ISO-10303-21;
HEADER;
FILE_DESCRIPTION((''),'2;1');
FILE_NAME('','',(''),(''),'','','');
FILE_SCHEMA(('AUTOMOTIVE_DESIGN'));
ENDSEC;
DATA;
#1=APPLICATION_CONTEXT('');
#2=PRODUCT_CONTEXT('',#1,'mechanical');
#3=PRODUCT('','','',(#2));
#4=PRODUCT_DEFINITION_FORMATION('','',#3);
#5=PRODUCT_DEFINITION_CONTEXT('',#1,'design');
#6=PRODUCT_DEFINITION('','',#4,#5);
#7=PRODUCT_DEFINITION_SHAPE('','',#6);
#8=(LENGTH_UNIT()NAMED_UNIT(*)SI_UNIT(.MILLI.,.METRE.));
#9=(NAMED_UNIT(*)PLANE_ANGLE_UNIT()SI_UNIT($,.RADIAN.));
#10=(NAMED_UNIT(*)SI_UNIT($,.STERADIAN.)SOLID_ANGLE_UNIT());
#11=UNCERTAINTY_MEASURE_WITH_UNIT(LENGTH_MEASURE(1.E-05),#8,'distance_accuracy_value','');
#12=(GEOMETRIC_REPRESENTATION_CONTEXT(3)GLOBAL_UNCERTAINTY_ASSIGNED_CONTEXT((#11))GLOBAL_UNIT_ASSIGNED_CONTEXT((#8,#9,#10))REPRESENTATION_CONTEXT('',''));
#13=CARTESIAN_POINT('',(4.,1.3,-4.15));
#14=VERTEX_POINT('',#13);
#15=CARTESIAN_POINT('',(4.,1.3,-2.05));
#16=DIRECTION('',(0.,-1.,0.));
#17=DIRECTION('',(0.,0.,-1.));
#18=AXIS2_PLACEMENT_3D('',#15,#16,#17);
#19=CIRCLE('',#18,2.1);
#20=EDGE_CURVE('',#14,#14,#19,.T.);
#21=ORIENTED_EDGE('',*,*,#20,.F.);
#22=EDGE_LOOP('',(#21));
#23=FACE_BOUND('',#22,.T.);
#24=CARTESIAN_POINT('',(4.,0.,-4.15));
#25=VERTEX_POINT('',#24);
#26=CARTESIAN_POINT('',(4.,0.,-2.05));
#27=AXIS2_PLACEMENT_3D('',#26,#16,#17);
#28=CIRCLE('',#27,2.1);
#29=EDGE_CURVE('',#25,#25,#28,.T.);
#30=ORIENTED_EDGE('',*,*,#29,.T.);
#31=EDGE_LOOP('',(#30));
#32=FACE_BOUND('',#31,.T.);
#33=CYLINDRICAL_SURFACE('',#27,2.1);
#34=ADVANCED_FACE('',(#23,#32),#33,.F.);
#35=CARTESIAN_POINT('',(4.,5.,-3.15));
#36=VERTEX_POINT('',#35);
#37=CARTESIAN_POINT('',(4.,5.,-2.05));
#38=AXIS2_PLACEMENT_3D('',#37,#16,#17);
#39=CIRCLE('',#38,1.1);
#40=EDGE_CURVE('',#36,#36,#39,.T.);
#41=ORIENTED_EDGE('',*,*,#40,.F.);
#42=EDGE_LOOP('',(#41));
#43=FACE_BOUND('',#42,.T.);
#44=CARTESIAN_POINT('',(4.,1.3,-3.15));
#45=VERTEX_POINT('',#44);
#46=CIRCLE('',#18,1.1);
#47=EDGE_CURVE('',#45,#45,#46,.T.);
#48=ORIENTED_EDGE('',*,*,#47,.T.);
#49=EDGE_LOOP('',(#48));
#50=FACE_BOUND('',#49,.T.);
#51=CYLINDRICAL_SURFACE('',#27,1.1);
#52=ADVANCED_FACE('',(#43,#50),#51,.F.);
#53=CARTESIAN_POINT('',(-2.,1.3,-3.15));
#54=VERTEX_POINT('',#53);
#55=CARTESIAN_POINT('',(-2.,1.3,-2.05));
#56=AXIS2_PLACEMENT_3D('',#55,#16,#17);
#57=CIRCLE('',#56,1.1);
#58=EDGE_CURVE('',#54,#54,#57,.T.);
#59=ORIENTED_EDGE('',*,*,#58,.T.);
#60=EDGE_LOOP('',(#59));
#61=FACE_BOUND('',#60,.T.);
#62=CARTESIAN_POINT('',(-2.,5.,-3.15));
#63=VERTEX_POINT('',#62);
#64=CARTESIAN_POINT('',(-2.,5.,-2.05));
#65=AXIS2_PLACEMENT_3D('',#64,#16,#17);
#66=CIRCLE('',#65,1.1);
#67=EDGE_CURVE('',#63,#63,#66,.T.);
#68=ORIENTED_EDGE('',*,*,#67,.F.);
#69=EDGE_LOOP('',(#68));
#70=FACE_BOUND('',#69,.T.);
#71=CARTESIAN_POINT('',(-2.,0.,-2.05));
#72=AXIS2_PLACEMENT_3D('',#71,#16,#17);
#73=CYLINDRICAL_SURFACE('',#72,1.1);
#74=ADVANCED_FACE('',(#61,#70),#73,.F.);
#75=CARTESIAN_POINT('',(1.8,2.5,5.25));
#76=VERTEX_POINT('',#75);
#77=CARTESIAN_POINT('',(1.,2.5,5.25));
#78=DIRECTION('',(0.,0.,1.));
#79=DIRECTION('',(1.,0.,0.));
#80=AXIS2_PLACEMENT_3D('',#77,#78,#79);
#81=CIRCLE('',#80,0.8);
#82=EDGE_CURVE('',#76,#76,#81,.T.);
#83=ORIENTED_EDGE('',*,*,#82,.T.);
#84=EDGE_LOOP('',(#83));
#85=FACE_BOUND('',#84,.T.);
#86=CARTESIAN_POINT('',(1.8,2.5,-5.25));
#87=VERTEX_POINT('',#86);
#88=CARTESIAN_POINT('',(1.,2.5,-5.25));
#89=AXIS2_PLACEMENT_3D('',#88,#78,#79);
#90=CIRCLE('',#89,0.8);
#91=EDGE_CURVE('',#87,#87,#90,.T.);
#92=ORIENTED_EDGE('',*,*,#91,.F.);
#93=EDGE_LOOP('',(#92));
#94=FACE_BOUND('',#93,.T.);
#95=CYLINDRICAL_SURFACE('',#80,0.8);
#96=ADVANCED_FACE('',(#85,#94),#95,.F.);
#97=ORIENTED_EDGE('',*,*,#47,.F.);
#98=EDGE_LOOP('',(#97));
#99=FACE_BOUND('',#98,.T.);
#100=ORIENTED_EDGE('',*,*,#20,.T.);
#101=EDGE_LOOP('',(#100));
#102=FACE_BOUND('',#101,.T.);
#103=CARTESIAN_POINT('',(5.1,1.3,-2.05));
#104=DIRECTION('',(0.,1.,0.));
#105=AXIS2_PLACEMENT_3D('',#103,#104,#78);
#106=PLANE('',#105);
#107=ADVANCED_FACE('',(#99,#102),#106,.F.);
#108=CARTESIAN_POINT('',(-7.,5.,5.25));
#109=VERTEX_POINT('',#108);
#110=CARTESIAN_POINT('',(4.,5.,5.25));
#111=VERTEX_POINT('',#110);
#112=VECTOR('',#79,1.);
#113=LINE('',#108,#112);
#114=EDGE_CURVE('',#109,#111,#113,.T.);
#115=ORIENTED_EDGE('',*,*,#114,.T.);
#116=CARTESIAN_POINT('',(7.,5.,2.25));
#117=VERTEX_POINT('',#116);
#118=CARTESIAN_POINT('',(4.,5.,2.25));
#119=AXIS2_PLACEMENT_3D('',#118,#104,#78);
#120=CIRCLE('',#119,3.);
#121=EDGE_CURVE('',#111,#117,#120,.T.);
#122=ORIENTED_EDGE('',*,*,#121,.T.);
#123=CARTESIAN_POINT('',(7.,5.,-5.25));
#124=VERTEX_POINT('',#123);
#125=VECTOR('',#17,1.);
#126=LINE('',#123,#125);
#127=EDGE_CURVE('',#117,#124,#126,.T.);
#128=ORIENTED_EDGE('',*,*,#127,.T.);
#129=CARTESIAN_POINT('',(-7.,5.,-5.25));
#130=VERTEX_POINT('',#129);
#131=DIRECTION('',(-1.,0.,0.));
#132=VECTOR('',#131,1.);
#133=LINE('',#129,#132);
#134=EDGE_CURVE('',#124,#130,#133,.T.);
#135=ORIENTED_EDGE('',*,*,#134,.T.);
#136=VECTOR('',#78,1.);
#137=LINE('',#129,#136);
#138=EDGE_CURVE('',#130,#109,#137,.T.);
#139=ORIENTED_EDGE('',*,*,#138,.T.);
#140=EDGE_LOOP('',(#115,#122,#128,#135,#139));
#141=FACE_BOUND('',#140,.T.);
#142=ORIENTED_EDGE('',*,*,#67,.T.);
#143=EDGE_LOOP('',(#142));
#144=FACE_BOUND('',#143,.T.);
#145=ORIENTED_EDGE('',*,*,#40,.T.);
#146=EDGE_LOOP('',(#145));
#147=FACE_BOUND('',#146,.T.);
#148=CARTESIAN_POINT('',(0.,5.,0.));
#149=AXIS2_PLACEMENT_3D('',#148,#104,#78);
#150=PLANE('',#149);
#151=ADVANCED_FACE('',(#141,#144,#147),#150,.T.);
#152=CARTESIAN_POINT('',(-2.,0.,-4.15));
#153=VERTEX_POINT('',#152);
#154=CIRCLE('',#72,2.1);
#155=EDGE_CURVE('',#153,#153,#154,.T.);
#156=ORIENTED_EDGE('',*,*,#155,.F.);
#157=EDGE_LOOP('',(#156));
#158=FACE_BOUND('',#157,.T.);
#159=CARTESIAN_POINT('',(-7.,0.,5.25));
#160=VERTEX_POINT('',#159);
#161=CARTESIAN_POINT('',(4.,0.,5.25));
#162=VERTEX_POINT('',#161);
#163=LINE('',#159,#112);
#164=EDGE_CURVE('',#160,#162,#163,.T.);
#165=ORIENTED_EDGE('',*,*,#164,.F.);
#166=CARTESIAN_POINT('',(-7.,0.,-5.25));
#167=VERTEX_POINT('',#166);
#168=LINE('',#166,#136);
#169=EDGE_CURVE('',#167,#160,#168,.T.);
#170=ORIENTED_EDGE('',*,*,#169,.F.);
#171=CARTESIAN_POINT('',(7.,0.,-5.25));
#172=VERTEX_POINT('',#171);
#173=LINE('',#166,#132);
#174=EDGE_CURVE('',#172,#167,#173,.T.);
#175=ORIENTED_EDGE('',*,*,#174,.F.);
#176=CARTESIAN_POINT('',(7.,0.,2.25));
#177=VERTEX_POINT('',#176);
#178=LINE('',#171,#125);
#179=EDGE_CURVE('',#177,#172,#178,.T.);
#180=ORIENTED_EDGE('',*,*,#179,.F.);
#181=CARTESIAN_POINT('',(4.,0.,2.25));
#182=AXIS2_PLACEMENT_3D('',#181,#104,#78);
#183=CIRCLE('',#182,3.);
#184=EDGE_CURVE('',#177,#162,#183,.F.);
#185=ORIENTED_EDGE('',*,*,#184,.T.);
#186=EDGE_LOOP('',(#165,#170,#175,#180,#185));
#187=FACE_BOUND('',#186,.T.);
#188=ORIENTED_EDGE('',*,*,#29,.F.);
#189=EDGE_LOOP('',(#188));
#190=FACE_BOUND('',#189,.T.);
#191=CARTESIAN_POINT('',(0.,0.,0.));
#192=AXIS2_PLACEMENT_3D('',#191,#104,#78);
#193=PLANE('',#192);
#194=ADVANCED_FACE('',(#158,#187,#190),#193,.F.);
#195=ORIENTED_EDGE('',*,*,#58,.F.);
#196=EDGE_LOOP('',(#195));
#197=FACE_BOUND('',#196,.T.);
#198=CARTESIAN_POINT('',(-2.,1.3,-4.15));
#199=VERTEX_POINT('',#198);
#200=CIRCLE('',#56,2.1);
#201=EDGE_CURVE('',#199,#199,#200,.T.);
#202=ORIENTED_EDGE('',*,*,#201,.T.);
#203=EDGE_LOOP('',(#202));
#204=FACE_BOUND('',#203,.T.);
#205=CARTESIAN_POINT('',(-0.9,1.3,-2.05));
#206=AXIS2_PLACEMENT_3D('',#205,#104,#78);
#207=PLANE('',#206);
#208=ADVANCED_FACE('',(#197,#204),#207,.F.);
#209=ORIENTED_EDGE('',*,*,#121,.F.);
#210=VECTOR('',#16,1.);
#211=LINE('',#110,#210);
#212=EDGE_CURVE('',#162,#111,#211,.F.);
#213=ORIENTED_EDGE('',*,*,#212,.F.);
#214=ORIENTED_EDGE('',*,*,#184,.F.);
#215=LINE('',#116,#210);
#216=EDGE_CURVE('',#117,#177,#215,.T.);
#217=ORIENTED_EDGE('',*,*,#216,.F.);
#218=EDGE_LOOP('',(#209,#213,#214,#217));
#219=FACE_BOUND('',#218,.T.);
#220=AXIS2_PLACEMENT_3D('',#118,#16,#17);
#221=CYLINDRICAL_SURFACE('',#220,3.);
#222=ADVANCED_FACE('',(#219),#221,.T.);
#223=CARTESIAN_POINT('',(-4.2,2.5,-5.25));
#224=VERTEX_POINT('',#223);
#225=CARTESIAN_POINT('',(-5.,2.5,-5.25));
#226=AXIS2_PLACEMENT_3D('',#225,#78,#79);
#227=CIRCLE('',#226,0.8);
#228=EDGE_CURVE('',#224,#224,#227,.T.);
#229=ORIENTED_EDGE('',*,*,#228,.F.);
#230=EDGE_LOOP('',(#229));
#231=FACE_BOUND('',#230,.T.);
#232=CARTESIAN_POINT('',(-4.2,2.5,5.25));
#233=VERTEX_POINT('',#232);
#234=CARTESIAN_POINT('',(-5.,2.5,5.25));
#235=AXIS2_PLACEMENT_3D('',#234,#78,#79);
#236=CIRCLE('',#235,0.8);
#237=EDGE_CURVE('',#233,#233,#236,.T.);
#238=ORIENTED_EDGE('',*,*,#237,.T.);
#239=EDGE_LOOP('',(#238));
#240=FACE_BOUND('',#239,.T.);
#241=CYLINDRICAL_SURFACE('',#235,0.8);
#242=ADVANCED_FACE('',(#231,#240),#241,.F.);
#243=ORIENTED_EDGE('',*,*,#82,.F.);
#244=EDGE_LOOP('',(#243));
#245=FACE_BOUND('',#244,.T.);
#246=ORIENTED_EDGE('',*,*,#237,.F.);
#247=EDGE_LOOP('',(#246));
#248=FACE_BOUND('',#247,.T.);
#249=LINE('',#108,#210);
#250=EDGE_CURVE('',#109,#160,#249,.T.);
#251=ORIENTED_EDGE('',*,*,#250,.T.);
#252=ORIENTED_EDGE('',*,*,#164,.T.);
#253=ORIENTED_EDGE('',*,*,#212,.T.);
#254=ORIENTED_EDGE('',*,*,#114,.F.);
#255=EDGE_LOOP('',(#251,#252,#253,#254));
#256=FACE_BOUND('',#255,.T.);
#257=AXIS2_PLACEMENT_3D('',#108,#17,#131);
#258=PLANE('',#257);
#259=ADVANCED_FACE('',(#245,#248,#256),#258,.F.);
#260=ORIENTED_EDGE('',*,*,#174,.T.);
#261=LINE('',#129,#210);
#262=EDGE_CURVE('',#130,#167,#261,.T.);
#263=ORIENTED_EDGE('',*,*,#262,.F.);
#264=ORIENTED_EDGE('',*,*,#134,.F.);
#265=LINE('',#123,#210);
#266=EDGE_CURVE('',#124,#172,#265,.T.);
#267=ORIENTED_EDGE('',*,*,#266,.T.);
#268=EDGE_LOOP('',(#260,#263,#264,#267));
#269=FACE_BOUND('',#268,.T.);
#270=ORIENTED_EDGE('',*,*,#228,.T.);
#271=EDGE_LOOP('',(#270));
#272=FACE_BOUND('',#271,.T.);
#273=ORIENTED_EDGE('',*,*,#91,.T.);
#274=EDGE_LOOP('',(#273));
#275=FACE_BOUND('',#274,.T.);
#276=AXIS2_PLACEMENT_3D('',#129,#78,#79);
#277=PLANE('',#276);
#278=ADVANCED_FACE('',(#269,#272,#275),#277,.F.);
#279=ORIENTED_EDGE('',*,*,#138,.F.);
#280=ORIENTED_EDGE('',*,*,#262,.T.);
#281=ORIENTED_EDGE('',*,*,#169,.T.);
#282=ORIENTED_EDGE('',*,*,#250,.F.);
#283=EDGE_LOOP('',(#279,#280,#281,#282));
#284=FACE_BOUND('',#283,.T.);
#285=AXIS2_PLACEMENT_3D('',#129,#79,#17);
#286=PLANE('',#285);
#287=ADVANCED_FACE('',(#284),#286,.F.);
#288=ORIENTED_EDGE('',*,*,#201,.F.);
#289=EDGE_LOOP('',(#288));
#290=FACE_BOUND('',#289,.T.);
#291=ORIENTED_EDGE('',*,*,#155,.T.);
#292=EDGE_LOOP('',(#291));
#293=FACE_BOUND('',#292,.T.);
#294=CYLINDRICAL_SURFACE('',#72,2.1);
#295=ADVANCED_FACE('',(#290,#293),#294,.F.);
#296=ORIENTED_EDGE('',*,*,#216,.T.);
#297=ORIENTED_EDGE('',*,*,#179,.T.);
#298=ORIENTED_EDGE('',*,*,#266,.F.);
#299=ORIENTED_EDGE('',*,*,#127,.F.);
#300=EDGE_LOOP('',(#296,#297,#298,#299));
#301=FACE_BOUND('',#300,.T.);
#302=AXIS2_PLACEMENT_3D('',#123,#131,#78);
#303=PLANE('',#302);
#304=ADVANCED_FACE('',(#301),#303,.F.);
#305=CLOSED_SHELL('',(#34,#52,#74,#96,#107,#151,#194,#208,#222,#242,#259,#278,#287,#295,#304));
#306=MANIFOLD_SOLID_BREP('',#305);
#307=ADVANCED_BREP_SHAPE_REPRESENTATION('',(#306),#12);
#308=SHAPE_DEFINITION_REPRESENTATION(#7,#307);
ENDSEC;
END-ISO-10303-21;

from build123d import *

# Parameters (mm, degrees)
SKETCH1_W           = 14
SKETCH1_H           = 10.5
BOSS_EXTRUDE1_DEPTH = 5
HOLE1_D             = 2.2
HOLE1_CBORE_D       = 4.2
HOLE1_CBORE_DEPTH   = 1.3
FILLET_2_R          = 3
M2X0_4_5_D          = 1.6


with BuildPart() as part:
    # Sketch1 → Boss-Extrude1 (new body)
    with BuildSketch(Plane(origin=(0, 0, 0), x_dir=(1, 0, 0), z_dir=(0, 1, 0))):
        Rectangle(SKETCH1_W, SKETCH1_H)
    extrude(amount=BOSS_EXTRUDE1_DEPTH)

    # Hole1 (through all)
    with Locations(Plane.XZ):
        with Locations((-2, -2.05), (4, -2.05)):
            CounterBoreHole(HOLE1_D / 2, HOLE1_CBORE_D / 2, HOLE1_CBORE_DEPTH)

    # ﾌｨﾚｯﾄ2
    fillet_2_edges = [part.edges().sort_by_distance(p)[0] for p in [
        (7, 2.5, 5.25),
    ]]
    fillet(fillet_2_edges, radius=FILLET_2_R)

    # M2x0.4 ねじ穴5 (through all)
    with Locations(Plane(origin=(-5, 2.5, 5.25), x_dir=(1, 0, 0), z_dir=(0, 0, 1))):
        with Locations((0, 0), (6, 0)):
            Hole(M2X0_4_5_D / 2)


solid = part.part
